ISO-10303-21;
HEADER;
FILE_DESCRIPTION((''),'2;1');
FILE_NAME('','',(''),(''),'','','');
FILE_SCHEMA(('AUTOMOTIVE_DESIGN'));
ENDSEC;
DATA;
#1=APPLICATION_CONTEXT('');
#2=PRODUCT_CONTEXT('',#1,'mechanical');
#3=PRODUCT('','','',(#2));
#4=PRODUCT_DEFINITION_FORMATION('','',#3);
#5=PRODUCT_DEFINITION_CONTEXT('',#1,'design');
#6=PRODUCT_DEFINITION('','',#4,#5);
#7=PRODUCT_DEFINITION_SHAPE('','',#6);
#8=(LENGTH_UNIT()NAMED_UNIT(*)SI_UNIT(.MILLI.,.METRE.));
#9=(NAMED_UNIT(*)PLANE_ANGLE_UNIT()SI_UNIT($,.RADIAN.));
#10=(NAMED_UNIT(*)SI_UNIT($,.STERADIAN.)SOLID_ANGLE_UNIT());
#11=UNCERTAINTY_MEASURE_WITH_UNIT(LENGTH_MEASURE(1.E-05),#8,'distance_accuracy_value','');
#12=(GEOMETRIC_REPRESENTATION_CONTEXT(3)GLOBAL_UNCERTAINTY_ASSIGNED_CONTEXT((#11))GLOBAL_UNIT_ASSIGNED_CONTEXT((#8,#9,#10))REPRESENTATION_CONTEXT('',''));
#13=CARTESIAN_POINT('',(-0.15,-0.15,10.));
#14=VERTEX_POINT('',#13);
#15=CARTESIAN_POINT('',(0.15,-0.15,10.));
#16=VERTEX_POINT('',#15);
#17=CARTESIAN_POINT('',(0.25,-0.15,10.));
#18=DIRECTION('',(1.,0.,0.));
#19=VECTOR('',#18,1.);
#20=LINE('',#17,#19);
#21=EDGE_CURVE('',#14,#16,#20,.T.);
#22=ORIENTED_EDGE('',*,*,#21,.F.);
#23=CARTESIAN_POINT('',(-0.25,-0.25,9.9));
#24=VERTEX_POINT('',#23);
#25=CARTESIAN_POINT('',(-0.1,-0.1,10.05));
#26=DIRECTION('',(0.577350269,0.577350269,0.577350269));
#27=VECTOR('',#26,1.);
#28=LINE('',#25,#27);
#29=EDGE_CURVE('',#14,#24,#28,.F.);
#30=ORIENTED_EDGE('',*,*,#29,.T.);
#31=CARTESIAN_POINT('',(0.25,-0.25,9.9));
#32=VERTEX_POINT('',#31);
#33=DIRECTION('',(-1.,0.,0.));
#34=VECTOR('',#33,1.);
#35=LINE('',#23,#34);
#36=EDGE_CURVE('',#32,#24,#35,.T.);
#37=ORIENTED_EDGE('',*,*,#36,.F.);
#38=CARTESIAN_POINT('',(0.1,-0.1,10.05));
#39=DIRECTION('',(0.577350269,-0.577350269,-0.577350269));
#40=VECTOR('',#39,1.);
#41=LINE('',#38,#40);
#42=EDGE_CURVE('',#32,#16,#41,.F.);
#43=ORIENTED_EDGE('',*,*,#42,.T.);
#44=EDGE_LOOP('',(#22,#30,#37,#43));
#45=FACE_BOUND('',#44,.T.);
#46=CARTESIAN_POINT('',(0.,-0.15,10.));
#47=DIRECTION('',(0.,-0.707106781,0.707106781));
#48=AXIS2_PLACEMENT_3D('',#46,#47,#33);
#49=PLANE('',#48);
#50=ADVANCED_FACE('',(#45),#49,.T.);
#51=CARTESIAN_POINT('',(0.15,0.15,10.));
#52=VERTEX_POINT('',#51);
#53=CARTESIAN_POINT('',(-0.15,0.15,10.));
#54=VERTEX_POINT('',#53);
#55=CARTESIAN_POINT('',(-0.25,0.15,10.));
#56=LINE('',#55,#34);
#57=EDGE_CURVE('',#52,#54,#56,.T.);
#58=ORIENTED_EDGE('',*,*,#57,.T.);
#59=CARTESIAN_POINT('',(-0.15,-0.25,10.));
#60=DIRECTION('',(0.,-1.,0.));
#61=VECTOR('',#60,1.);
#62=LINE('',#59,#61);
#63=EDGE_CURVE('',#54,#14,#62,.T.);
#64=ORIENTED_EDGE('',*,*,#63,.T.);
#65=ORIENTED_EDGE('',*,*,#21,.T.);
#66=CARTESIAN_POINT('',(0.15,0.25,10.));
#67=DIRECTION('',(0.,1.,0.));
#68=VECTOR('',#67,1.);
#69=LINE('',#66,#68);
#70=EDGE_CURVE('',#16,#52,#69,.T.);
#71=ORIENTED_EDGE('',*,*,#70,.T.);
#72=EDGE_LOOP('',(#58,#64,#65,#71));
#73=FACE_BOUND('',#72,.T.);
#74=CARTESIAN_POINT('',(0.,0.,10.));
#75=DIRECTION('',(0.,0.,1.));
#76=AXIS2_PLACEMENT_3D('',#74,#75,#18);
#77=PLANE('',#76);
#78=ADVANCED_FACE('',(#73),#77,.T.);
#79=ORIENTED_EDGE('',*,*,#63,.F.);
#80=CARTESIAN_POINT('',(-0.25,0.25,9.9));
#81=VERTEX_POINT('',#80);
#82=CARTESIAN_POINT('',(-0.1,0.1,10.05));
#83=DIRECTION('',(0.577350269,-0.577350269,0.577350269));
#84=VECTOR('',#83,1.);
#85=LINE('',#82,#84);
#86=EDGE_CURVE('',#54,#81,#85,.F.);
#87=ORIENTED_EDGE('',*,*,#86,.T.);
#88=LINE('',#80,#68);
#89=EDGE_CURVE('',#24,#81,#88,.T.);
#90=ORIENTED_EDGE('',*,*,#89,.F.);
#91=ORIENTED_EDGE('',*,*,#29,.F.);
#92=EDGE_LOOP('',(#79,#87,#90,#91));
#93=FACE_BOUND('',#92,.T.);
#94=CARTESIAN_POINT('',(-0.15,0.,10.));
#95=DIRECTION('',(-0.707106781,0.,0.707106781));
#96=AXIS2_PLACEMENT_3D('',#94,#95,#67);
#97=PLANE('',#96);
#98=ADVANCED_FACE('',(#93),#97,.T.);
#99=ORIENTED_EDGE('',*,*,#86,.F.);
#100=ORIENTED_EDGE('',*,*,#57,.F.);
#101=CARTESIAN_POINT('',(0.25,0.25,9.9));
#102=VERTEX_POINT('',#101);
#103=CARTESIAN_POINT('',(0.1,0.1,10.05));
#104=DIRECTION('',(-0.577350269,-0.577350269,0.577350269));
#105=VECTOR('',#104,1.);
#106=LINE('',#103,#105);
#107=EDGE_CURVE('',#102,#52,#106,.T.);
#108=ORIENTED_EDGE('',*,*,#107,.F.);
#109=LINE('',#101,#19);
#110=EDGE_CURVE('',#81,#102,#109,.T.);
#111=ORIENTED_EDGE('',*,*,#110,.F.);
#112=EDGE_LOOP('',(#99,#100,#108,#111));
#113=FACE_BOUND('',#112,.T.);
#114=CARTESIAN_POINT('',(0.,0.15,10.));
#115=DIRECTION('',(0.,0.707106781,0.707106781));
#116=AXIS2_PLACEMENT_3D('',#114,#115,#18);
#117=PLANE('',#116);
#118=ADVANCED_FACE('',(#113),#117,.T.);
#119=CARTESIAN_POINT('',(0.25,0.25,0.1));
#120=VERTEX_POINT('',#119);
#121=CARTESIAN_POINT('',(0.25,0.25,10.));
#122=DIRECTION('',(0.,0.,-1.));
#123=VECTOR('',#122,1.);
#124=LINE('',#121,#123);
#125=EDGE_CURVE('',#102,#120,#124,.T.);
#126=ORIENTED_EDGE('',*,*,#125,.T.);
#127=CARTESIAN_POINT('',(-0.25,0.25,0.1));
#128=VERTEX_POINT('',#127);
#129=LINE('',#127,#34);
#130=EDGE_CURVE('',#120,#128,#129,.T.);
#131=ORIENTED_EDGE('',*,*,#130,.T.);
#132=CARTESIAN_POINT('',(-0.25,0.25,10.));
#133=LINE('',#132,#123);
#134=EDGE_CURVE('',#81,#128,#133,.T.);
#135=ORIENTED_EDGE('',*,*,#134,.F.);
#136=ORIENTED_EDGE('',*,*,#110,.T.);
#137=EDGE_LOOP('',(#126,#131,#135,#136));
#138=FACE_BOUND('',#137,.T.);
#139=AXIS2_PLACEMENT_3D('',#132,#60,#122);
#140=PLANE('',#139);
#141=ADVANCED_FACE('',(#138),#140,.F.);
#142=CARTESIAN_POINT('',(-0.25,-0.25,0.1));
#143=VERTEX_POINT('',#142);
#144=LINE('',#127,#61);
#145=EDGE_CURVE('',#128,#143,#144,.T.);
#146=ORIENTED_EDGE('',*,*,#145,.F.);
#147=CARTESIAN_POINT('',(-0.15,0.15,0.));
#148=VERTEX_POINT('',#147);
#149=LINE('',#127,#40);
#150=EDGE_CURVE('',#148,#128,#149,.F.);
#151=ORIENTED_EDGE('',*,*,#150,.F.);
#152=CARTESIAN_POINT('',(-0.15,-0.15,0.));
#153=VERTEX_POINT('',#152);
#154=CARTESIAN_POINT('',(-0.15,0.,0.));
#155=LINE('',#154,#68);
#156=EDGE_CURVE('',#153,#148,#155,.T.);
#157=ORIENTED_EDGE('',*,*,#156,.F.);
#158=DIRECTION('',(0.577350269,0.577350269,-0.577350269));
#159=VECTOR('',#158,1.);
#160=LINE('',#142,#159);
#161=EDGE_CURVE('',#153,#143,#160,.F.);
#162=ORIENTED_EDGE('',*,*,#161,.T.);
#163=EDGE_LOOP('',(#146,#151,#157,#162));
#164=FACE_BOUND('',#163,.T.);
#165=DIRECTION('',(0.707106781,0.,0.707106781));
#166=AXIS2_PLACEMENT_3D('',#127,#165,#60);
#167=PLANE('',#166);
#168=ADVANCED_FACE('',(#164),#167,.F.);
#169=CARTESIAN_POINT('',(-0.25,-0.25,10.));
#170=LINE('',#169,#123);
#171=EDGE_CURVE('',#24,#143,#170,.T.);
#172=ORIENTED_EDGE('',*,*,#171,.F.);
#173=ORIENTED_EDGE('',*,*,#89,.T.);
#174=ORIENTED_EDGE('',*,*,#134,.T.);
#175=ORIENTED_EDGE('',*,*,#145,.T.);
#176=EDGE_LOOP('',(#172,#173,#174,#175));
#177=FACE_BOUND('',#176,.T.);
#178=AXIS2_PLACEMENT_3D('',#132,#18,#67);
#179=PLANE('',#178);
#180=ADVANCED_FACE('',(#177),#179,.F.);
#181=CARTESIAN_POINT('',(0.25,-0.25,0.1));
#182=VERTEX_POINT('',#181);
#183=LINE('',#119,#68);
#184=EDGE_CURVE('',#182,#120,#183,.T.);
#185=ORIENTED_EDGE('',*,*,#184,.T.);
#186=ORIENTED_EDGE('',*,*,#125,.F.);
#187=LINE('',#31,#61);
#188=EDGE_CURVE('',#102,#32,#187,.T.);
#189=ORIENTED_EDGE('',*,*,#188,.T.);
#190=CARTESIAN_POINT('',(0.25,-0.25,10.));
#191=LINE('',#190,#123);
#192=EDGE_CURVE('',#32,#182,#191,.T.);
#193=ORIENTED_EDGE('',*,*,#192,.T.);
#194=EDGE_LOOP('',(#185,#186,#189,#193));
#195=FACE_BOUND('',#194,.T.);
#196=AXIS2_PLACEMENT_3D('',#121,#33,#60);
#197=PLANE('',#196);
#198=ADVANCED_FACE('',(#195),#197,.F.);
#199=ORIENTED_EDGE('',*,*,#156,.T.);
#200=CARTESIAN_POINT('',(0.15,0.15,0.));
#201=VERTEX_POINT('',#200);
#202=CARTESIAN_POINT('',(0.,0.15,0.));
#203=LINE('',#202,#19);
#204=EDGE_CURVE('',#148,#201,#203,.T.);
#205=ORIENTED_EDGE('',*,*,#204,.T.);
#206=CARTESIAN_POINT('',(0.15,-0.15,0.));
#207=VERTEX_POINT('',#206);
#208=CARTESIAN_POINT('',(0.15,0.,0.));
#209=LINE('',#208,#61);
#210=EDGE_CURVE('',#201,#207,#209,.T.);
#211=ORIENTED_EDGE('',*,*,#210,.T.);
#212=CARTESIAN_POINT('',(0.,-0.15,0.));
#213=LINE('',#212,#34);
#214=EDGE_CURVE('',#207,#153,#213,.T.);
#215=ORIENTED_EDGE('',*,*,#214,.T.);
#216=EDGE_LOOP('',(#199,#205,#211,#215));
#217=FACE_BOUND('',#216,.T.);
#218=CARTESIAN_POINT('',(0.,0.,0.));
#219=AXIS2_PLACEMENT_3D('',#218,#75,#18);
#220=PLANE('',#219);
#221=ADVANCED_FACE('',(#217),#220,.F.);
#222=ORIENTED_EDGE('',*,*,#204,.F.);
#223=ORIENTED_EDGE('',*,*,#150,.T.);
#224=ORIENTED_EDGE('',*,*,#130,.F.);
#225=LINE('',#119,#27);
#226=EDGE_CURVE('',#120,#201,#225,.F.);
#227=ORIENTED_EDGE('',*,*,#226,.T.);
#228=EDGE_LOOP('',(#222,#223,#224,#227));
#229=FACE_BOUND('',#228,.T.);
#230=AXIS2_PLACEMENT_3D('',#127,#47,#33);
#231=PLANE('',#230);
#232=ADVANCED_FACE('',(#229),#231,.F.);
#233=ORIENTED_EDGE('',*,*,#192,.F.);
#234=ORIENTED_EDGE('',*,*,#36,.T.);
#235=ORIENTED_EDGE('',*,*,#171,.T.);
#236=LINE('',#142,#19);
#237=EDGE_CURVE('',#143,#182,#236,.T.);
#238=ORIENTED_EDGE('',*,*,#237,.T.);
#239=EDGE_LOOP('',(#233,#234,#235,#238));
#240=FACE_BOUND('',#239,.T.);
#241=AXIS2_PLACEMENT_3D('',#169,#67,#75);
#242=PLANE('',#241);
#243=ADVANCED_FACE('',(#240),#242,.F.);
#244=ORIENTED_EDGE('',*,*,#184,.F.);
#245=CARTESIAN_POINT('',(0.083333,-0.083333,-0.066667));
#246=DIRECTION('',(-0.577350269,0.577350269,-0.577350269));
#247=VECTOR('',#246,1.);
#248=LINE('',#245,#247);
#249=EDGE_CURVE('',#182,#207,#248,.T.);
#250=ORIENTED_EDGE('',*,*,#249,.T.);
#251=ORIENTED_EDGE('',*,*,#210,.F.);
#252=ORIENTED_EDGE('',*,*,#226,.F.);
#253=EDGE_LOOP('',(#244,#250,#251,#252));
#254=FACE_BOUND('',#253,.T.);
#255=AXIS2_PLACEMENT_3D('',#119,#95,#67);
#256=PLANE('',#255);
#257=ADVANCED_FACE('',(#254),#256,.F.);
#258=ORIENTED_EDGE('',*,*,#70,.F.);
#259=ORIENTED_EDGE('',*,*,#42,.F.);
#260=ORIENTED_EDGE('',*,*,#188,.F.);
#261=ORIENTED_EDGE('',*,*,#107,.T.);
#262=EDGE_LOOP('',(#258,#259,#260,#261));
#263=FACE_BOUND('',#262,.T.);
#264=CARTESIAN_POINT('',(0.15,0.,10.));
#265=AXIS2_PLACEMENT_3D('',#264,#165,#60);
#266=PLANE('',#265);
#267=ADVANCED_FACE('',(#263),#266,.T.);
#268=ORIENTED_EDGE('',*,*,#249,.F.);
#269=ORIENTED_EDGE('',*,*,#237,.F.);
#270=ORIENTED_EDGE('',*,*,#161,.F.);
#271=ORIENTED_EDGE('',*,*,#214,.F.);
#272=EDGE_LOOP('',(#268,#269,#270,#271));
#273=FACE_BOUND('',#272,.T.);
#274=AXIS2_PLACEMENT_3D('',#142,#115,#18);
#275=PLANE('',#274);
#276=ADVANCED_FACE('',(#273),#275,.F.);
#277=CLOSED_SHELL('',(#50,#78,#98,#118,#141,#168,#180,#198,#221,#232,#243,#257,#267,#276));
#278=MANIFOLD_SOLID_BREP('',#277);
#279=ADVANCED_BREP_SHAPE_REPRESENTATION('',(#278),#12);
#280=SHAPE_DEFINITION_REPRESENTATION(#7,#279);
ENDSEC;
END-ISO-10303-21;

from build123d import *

# Parameters (mm, degrees)
SKETCH_1_W      = 0.5
SKETCH_1_H      = 0.5
EXTRUDE_1_DEPTH = 10
CHAMFER_1_SIZE  = 0.1


with BuildPart() as part:
    # 草图1 → 凸台-拉伸1 (new body)
    with BuildSketch(Plane.XY):
        Rectangle(SKETCH_1_W, SKETCH_1_H)
    extrude(amount=EXTRUDE_1_DEPTH)

    # 倒角1
    chamfer_1_edges = [part.edges().sort_by_distance(p)[0] for p in [
        (-0.25, 0, 10),
        (0, -0.25, 10),
        (0.25, 0, 10),
        (0, -0.25, 0),
        (-0.25, 0, 0),
        (0, 0.25, 0),
        (0.25, 0, 0),
        (0, 0.25, 10),
    ]]
    chamfer(chamfer_1_edges, length=CHAMFER_1_SIZE)


solid = part.part
